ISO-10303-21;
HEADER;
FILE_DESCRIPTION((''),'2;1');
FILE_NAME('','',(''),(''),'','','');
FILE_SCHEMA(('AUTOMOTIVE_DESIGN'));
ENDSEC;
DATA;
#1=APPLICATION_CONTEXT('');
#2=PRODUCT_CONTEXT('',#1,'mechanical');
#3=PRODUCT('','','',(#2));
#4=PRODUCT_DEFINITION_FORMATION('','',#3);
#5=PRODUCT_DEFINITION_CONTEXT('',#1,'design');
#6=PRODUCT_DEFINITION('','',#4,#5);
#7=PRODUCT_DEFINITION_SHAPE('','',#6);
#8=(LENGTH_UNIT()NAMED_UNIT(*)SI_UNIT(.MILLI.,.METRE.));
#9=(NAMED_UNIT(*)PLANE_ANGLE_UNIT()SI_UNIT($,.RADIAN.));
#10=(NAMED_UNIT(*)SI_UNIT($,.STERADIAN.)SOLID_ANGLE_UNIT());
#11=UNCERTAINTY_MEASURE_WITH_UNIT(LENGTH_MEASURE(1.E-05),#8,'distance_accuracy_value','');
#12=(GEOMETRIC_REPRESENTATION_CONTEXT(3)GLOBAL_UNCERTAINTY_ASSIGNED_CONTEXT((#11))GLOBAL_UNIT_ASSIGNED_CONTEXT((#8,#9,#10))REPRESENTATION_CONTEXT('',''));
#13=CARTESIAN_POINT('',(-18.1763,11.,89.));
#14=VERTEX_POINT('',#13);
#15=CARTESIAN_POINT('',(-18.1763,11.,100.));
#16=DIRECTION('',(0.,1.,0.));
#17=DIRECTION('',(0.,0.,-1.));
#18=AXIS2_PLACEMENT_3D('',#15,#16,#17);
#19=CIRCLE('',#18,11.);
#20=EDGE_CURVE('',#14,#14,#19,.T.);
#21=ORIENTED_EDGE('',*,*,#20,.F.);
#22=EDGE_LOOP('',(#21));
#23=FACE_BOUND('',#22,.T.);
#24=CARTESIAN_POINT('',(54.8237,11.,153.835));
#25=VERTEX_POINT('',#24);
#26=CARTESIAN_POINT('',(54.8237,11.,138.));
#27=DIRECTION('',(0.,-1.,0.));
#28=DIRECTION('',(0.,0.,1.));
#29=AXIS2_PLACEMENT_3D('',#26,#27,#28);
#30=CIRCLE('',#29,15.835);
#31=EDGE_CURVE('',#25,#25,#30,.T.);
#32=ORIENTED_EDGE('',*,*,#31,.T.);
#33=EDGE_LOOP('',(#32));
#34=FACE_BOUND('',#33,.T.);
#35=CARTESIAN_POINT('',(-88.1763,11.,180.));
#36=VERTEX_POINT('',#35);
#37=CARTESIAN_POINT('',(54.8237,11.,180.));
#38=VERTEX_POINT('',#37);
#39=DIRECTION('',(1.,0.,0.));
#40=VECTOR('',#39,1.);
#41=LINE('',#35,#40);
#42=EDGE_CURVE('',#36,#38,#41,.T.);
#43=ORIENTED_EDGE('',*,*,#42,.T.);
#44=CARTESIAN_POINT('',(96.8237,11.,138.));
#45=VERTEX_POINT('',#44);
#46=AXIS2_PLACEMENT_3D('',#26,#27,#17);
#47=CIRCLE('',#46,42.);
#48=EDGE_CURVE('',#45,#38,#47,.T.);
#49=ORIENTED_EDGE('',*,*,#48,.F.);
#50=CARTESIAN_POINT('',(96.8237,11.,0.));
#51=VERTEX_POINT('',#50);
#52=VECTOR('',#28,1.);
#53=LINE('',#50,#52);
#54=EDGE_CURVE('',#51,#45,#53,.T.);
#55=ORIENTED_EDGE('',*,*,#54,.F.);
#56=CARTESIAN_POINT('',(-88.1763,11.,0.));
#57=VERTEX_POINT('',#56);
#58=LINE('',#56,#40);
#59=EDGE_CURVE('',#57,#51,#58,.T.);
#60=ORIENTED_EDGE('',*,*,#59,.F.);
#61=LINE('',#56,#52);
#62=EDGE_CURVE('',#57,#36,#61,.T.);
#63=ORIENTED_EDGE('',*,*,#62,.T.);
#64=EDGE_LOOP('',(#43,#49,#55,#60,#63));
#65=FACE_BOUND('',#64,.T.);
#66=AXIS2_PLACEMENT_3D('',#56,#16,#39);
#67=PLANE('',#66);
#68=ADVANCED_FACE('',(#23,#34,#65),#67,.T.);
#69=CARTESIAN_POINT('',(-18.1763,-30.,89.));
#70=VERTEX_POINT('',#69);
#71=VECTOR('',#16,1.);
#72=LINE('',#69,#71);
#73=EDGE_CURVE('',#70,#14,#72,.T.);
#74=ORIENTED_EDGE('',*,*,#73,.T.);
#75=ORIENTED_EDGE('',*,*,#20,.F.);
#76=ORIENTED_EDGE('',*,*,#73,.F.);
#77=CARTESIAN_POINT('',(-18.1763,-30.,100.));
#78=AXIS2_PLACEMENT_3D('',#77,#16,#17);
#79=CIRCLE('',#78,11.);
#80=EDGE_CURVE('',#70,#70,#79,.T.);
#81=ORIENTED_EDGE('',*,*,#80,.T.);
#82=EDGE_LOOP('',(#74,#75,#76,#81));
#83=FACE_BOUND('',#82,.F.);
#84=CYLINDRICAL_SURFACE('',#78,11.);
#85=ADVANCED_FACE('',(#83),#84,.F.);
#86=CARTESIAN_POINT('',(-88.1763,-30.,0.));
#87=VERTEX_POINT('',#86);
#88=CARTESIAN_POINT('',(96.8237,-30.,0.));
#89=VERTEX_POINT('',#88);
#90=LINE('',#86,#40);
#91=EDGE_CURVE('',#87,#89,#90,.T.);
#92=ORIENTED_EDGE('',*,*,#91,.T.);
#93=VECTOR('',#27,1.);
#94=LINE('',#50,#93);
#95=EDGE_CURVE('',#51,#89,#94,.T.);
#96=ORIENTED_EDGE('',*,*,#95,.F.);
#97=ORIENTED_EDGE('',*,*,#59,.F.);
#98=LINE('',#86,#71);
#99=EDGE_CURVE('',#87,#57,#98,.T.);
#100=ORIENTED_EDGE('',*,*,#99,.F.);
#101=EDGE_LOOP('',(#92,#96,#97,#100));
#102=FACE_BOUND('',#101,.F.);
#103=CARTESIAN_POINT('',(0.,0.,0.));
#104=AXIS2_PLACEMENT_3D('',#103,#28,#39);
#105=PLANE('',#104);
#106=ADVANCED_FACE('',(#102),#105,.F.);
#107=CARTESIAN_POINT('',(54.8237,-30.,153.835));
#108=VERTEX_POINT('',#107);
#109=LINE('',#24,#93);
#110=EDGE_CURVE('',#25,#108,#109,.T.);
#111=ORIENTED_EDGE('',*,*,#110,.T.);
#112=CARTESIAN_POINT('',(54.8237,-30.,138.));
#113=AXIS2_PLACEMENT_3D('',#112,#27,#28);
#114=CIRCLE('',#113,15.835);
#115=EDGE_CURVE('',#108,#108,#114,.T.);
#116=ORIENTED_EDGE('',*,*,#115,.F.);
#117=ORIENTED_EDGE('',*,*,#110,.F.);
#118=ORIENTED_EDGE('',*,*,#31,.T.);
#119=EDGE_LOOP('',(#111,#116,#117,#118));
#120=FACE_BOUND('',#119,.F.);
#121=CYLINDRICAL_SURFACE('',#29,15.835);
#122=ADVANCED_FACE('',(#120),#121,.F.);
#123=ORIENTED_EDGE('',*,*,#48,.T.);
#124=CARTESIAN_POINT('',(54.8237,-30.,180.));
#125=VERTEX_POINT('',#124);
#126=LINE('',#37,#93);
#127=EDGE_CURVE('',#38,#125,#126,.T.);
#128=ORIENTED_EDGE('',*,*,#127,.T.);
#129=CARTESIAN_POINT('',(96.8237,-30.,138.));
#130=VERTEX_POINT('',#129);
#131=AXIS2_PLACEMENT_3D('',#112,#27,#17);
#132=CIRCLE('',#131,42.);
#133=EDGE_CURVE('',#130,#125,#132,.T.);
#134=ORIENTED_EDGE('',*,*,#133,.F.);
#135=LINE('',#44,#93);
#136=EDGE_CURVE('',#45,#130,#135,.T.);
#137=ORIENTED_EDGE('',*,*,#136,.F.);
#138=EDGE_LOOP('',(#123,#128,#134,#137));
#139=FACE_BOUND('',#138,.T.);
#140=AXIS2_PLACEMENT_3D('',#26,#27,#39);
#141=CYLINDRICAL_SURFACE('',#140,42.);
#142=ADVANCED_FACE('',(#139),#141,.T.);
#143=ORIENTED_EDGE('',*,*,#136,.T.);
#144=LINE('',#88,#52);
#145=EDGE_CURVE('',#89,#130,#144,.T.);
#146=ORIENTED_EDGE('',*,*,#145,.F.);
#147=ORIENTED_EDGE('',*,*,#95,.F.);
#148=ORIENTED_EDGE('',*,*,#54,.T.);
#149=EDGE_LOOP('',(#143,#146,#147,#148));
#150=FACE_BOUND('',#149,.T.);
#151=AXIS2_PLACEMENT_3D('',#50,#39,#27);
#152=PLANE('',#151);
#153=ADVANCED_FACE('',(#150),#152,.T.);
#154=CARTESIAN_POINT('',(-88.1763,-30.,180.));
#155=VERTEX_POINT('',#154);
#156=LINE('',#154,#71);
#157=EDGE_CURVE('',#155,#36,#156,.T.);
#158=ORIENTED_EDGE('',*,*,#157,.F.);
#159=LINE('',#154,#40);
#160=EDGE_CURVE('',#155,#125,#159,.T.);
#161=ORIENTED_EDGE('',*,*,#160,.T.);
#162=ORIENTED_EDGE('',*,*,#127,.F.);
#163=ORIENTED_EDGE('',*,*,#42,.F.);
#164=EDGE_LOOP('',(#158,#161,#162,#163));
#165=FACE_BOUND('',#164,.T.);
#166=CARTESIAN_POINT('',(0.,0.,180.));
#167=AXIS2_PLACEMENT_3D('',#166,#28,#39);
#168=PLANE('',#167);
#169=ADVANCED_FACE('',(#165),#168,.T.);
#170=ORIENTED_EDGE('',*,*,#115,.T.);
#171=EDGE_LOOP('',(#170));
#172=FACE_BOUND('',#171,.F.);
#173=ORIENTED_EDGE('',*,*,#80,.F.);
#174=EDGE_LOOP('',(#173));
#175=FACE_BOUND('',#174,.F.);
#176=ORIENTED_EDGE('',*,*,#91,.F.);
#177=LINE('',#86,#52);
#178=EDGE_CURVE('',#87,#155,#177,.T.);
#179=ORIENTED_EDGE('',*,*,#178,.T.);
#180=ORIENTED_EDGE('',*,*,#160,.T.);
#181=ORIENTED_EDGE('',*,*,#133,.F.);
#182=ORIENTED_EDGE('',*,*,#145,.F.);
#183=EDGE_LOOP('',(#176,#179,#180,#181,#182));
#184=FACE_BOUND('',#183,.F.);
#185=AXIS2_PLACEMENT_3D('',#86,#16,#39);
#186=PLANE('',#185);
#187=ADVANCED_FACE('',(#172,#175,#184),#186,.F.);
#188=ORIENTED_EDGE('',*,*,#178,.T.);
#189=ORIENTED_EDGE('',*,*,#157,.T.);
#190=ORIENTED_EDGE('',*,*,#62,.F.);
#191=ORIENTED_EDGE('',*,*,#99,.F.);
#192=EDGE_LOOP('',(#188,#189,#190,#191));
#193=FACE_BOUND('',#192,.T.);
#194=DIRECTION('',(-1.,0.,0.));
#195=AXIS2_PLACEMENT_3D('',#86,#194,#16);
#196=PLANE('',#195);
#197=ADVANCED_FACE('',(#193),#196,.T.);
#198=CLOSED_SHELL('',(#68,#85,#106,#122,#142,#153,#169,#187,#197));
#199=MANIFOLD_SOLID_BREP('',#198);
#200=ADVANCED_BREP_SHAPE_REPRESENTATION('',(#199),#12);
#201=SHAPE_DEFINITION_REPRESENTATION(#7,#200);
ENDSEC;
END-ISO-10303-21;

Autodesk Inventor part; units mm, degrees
ref_plane "YZ Plane" through (0, 0, 0) normal (1, 0, 0) x (0, 1, 0)
ref_plane "XZ Plane" through (0, 0, 0) normal (0, 1, 0) x (-1, 0, 0)
ref_plane "XY Plane" through (0, 0, 0) normal (0, 0, 1) x (1, 0, 0)
sketch "Эскиз1" plane through (0, 0, 0) normal (0, 0, 1) x (1, 0, 0)
  line L0 (-88.1763, -30) -> (96.8237, -30)
  line L1 (-88.1763, -30) -> (-88.1763, 11)
  line L2 (96.8237, 11) -> (96.8237, -30)
  line L3 (-88.1763, 11) -> (96.8237, 11)
  point P0 (0, 0)
  point P1 (0, -30)
  dimension "parametr_A" = 185
  dimension "parametr_C" = 41
extrude "Выдавливание2" add sketch "Эскиз1" along normal blind 180
fillet "Сопряжение1" radius 42 1 edges at (96.8237, -9.5, 180)
sketch "Эскиз5" plane through (-88.1763, -30, 0) normal (0, -1, 0) x (1, 0, 0)
  point P0 (70, 100)
hole "Отверстие5" at (-18.1763, -30, 100) direction (0, 1, 0) diameter 22 end through all
sketch "Эскиз7" plane through (-88.1763, 11, 0) normal (0, 1, 0) x (1, 0, 0)
  point P0 (143, -138)
hole "Отверстие7" at (54.8237, 11, 138) direction (0, -1, 0) diameter 31.67 depth 96 tip angle 120 thread size "M36x4" class "6H" standard "ISO Metric profile"
sketch "Эскиз2" plane through (-88.1763, -30, 0) normal (0, -1, 0) x (1, 0, 0)
  point P0 (114.3354, 27.5417)
sketch "Эскиз3" plane through (-88.1763, -30, 0) normal (0, -1, 0) x (1, 0, 0)
  point P0 (14.3354, 15.8973)
equation "\"parametr_A\" = parametr_A_"
equation "\"parametr_C\" = parametr_D_"
equation "\"paramert_B\" = parametr_B_"
equation "\"d21\" = parametr_G_"
equation "\"parametr_A_\" = 185"
equation "\"parametr_B_\" = 180"
equation "\"parametr_D_\" = 41"
equation "\"parametr_E_\" = 35"
equation "\"parametr_G_\" = 42"
properties part number "lw_6_part1"
